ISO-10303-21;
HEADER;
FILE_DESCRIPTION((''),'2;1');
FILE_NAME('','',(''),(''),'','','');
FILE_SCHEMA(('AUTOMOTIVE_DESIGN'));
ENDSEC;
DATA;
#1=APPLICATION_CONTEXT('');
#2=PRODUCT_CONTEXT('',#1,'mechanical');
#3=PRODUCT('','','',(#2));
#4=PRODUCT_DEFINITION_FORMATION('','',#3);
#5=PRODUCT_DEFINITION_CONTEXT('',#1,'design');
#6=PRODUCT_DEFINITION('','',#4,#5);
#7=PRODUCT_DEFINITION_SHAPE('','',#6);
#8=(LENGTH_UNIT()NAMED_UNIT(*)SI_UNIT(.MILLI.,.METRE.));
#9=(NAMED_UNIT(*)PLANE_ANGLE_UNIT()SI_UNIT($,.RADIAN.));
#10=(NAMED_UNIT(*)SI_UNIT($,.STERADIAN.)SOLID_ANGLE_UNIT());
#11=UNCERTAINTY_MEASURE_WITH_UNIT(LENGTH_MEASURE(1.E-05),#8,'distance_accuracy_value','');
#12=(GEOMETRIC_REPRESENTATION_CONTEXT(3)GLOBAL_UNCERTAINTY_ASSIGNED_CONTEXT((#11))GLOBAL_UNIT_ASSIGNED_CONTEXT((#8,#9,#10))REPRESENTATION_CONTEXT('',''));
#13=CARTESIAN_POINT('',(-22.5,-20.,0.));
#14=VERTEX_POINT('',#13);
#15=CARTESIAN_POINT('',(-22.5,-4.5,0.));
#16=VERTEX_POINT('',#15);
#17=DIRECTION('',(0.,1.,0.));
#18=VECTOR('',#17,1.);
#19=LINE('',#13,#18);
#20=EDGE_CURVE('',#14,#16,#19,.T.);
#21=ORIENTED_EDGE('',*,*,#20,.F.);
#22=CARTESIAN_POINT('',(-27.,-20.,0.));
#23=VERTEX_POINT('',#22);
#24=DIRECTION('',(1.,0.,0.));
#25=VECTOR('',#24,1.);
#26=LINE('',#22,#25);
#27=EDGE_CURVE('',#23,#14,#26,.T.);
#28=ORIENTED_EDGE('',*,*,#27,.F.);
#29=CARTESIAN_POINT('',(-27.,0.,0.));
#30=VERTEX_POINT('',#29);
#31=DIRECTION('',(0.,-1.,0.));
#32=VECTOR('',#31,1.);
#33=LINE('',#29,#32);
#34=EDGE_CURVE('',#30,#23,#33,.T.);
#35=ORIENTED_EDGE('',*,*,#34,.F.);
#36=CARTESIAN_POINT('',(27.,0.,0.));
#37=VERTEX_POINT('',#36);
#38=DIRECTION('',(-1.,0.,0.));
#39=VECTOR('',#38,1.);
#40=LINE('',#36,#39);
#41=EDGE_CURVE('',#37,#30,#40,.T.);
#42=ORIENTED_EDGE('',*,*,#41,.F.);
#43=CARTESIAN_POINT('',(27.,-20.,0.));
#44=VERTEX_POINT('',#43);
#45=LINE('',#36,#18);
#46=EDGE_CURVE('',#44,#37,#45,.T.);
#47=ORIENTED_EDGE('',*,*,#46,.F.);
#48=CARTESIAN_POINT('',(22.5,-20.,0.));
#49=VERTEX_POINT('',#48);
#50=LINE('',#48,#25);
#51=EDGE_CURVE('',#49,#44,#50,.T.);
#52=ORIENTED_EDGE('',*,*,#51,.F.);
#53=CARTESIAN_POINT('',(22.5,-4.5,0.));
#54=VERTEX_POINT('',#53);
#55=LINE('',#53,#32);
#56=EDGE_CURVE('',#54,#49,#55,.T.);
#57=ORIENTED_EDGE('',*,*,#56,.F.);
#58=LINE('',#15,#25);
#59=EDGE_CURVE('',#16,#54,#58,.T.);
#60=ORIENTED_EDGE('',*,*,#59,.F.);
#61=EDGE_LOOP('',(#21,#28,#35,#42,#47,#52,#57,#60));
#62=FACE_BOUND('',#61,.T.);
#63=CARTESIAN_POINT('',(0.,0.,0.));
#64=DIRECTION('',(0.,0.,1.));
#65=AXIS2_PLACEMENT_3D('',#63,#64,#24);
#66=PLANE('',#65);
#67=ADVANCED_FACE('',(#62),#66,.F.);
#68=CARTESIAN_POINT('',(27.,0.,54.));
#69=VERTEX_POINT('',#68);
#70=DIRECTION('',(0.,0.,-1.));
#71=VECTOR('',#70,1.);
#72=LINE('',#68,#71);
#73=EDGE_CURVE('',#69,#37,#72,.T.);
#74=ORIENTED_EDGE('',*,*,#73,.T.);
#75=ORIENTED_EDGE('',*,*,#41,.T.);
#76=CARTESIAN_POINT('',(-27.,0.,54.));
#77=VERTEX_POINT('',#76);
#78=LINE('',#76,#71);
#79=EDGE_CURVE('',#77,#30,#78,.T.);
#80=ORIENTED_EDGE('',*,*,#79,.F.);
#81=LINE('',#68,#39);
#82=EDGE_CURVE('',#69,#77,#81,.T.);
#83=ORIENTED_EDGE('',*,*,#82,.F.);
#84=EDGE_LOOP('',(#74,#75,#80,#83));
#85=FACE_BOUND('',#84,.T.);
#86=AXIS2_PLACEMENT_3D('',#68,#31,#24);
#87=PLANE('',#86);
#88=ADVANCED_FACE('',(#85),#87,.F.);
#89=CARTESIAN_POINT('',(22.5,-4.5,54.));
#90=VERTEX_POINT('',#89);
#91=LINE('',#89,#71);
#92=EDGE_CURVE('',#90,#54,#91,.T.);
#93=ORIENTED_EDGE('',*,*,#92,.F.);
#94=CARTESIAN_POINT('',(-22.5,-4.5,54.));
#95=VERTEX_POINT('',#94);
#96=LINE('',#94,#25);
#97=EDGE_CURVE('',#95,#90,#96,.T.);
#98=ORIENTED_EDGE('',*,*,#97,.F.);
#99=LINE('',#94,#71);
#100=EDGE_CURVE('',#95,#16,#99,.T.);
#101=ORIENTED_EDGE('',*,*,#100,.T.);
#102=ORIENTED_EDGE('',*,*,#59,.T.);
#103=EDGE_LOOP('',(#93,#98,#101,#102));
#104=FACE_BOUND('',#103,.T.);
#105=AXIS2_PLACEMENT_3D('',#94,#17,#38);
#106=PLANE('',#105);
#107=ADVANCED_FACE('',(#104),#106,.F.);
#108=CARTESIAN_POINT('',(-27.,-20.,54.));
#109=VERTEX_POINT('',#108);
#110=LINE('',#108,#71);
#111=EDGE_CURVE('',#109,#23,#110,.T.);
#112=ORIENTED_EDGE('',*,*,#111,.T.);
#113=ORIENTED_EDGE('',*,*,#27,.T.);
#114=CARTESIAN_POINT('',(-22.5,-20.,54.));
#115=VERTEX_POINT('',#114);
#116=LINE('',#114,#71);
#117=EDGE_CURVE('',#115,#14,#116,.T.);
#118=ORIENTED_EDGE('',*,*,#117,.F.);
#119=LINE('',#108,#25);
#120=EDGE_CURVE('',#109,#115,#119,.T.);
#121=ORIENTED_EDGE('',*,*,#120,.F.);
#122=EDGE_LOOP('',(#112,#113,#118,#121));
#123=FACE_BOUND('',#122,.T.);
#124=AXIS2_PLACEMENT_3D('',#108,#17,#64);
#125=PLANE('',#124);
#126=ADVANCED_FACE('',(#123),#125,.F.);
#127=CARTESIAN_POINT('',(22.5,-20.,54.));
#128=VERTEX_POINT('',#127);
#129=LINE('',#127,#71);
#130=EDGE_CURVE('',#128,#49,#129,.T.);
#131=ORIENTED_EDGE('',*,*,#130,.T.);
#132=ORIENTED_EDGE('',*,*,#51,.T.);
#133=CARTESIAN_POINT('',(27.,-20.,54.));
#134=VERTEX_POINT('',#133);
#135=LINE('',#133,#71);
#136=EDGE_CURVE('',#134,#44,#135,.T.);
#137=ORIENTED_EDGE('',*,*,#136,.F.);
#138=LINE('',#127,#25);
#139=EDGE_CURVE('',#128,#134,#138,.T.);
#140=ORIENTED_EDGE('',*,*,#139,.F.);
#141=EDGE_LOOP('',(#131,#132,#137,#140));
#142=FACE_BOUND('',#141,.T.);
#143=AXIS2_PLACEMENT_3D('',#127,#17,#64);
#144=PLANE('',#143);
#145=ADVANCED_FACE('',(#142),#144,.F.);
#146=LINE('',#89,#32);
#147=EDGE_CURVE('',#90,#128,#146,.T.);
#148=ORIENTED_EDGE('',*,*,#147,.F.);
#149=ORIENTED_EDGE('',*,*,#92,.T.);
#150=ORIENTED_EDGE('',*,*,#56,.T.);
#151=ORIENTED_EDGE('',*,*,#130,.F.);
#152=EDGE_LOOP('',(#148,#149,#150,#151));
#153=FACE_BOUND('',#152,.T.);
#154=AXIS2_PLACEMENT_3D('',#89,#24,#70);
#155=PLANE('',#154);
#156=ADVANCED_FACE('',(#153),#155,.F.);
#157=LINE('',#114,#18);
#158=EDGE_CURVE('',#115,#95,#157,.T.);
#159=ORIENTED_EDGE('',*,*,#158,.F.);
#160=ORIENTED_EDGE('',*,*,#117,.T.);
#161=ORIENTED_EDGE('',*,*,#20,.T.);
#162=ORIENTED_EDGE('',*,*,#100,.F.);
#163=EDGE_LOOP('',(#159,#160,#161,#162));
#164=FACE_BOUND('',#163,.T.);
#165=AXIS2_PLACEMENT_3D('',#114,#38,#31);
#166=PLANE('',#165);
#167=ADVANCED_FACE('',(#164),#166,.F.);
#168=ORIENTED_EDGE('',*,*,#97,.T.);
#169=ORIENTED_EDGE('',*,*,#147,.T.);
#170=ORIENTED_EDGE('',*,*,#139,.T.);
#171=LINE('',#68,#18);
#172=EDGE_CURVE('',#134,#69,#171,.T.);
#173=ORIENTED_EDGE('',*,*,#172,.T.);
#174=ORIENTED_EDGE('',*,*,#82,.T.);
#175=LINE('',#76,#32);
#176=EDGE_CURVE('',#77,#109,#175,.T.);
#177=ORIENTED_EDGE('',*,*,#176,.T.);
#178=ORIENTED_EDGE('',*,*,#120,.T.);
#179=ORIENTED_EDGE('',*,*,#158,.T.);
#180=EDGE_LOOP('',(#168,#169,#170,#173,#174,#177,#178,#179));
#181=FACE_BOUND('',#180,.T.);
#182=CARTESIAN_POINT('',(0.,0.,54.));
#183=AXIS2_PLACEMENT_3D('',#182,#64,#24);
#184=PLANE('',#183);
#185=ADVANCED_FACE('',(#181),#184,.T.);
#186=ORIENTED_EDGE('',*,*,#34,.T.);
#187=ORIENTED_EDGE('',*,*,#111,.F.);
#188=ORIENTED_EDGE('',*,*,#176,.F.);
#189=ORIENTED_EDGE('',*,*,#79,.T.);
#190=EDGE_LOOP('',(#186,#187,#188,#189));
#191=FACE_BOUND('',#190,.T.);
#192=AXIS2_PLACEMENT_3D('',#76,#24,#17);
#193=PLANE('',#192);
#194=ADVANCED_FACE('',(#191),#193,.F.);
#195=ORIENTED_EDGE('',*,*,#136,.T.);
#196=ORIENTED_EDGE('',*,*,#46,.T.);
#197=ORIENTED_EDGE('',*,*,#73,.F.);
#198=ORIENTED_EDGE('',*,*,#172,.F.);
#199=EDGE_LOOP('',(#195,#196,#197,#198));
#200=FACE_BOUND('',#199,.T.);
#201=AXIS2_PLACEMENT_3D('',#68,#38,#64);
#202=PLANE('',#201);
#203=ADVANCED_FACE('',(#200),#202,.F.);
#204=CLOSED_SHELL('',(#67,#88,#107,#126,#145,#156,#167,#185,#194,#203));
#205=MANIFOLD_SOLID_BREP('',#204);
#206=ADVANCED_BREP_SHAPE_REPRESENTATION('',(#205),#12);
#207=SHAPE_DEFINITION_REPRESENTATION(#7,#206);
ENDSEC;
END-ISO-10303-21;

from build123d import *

# Parameters (mm, degrees)
BOSS_EXTRUDE1_DEPTH = 54


with BuildPart() as part:
    # Sketch2 → Boss-Extrude1 (new body)
    with BuildSketch(Plane.XY):
        Polygon((27, 0), (-27, 0), (-27, -20), (-22.5, -20), (-22.5, -4.5), (22.5, -4.5), (22.5, -20), (27, -20), align=None)
    extrude(amount=BOSS_EXTRUDE1_DEPTH)


solid = part.part
